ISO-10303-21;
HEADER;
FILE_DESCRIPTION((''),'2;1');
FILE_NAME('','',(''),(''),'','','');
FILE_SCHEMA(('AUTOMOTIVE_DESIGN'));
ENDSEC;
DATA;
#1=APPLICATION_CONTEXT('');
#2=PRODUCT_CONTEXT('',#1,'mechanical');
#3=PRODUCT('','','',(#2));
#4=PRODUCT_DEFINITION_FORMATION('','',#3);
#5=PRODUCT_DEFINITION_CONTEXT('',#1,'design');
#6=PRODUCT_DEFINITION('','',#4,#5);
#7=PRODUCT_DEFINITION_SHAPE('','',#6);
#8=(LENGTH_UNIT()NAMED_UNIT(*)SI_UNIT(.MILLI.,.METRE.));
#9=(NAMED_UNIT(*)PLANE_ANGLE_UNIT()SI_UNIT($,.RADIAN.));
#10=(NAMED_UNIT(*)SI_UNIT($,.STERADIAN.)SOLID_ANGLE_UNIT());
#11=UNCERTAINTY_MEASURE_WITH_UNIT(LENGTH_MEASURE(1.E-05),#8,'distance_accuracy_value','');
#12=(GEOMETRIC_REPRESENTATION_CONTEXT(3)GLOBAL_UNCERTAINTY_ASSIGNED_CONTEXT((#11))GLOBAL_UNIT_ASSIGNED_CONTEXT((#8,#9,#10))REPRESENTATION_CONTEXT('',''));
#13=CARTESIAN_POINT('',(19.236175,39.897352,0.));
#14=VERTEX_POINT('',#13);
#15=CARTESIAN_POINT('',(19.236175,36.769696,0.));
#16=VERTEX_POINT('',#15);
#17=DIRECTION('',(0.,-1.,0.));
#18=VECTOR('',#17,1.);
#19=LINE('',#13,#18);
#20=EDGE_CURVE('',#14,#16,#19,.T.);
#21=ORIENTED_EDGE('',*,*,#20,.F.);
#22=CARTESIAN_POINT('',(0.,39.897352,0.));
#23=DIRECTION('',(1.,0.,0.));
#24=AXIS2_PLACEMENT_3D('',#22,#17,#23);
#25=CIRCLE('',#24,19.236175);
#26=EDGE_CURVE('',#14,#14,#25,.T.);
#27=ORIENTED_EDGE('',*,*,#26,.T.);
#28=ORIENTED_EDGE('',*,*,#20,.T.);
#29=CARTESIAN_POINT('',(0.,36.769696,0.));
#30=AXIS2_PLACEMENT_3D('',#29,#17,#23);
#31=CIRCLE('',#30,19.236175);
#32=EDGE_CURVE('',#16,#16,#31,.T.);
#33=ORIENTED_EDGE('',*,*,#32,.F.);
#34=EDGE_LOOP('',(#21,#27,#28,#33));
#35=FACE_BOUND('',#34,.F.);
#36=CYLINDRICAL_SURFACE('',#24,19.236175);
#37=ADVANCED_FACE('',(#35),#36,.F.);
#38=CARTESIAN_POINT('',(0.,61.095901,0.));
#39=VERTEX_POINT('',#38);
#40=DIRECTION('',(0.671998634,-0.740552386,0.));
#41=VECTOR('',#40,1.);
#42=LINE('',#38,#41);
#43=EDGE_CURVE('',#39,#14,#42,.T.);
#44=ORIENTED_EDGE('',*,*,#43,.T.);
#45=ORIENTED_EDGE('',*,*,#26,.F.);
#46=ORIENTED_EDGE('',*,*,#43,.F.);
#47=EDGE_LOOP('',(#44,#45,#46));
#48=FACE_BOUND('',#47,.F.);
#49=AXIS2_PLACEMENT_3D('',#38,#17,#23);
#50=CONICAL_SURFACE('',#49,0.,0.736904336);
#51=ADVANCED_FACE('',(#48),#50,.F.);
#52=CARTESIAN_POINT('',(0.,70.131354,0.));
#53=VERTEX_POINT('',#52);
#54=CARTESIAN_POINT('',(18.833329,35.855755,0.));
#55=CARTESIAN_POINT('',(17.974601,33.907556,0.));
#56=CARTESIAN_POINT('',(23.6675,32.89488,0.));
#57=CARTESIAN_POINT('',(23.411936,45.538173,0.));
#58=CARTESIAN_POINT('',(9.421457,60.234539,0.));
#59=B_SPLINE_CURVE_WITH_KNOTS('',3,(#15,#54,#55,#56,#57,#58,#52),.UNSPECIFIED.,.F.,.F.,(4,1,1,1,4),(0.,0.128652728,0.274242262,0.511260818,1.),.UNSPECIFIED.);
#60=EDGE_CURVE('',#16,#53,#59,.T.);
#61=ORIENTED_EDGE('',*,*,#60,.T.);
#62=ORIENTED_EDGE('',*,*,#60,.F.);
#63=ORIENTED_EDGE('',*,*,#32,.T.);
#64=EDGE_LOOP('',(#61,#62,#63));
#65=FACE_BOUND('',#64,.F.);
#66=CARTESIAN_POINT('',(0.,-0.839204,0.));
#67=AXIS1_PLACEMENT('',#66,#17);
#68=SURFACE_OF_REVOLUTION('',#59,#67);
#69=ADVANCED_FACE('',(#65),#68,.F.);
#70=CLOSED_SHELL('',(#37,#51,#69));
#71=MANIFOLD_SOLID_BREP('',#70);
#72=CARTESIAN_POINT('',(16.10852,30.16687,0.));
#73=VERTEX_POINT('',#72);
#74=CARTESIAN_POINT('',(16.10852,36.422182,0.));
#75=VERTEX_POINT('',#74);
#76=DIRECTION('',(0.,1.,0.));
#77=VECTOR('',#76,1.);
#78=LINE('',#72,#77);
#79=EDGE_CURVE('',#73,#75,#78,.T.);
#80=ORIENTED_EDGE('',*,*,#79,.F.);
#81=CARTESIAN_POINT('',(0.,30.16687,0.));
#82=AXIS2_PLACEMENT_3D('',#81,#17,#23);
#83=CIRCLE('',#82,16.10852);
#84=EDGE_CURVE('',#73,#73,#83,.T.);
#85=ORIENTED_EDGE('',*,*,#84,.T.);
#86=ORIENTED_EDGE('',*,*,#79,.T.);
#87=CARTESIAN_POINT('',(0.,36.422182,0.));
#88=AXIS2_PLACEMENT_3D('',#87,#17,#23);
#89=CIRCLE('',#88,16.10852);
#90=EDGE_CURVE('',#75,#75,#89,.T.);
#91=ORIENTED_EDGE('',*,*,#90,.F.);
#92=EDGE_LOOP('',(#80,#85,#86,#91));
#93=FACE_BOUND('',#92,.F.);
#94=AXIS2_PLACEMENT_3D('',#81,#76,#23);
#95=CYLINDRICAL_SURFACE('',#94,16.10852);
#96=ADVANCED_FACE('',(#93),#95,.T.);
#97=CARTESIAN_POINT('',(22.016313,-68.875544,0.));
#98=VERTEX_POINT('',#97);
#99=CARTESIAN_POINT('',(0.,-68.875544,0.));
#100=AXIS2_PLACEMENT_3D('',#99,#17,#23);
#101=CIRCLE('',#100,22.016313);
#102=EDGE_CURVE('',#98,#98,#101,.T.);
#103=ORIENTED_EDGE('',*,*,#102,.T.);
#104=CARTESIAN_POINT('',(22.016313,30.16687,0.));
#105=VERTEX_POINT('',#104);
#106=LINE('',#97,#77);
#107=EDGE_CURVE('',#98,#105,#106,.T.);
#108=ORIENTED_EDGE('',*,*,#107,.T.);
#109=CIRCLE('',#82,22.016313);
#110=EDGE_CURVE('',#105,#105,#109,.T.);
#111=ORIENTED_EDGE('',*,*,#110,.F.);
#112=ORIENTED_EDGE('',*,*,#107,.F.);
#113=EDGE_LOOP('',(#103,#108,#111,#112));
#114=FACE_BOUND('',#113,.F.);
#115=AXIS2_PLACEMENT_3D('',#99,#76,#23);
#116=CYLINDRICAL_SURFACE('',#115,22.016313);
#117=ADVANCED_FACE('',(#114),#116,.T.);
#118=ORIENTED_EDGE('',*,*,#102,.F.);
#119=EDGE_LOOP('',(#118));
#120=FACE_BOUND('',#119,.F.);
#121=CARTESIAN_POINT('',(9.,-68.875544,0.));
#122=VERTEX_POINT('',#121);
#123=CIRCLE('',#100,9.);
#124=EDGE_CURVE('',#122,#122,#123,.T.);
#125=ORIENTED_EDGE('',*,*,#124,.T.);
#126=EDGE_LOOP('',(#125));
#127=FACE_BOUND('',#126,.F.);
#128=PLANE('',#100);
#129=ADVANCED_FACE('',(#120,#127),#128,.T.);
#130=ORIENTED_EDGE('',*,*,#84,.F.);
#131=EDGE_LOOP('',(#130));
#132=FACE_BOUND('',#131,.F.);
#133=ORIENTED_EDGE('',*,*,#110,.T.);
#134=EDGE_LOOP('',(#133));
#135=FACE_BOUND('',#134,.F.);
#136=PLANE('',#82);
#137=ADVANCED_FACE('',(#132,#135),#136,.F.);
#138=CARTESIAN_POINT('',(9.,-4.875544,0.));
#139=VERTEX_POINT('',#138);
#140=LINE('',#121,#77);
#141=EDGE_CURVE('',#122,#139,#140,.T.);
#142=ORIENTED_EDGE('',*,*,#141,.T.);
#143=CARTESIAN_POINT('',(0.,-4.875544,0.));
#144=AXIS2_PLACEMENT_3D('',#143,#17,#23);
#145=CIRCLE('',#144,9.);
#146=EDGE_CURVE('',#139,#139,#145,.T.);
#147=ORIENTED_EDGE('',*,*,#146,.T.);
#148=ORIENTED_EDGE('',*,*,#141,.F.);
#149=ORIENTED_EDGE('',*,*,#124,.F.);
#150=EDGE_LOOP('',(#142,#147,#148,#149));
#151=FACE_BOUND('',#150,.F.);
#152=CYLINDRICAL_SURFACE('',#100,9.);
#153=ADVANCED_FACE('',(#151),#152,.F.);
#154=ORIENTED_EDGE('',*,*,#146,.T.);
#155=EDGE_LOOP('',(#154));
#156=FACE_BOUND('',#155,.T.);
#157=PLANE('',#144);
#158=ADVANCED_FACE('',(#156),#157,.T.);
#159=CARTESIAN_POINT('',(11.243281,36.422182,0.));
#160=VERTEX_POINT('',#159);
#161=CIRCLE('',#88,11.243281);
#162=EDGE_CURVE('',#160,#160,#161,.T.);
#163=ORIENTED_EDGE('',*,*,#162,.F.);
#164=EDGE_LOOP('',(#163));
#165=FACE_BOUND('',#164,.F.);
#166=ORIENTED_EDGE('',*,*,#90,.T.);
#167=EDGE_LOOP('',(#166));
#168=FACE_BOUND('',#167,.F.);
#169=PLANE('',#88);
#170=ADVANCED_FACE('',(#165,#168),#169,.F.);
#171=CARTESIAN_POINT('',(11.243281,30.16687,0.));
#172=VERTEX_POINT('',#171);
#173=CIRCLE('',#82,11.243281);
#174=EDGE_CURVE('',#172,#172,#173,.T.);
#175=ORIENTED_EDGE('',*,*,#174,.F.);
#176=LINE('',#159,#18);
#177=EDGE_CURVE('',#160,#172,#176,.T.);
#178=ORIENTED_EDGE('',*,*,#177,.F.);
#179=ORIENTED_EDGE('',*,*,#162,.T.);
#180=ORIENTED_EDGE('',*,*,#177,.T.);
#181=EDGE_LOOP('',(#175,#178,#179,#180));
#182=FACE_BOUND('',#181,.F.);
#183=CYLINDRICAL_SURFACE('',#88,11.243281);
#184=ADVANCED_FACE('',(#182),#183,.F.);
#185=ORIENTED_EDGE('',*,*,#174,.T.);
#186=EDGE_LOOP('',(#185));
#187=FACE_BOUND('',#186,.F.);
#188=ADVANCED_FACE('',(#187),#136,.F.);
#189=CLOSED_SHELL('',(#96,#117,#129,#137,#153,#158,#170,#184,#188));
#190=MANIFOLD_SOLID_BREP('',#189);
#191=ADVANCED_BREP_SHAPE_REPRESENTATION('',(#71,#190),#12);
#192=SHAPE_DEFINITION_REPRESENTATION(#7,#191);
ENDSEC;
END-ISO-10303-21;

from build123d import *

# Parameters (mm, degrees)
F2_R     = 9
F3_DEPTH = 64


with BuildPart() as f1:
    # F0 (on Top) → F1 (revolve)
    with BuildSketch(Plane.XY):
        with BuildLine():
            add(Edge.make_bspline(
                [(19.2361753434, 36.76969558), (18.8333285398, 35.8557549946), (17.9746011666, 33.9075558501), (23.6675004635, 32.8948803304), (23.4119356032, 45.5381726747), (9.421456798, 60.2345390235), (0, 70.1313540339)],
                knots=[0, 0, 0, 0, 0.1286527276, 0.2742422623, 0.5112608177, 1, 1, 1, 1], degree=3))
            Line((0, 70.1313540339), (0, 61.0959008336))
            Line((0, 61.0959008336), (19.2361753434, 39.897352457))
            Line((19.2361753434, 39.897352457), (19.2361753434, 36.76969558))
        make_face()
    revolve(axis=Axis((0, -0.8392035961, 0), (0, -1, 0)))


with BuildPart() as f1b:
    # F0 (on Top) → F1, piece 2 (revolve)
    with BuildSketch(Plane.XY):
        Polygon((11.2432809547, 30.1668699831), (0, 30.1668699831), (0, -68.8755437732), (22.016312927, -68.8755437732), (22.016312927, 30.1668699831), (16.108520329, 30.1668699831), (16.108520329, 36.4221818745), (11.2432809547, 36.4221818745), align=None)
    revolve(axis=Axis((0, -0.8392035961, 0), (0, -1, 0)))

    # F2 (on face) → F3 (cut)
    with BuildSketch(Plane.XZ.offset(68.8755437732)):
        Circle(F2_R)
    extrude(amount=-F3_DEPTH, mode=Mode.SUBTRACT)


solid = Compound([f1.part, f1b.part])
